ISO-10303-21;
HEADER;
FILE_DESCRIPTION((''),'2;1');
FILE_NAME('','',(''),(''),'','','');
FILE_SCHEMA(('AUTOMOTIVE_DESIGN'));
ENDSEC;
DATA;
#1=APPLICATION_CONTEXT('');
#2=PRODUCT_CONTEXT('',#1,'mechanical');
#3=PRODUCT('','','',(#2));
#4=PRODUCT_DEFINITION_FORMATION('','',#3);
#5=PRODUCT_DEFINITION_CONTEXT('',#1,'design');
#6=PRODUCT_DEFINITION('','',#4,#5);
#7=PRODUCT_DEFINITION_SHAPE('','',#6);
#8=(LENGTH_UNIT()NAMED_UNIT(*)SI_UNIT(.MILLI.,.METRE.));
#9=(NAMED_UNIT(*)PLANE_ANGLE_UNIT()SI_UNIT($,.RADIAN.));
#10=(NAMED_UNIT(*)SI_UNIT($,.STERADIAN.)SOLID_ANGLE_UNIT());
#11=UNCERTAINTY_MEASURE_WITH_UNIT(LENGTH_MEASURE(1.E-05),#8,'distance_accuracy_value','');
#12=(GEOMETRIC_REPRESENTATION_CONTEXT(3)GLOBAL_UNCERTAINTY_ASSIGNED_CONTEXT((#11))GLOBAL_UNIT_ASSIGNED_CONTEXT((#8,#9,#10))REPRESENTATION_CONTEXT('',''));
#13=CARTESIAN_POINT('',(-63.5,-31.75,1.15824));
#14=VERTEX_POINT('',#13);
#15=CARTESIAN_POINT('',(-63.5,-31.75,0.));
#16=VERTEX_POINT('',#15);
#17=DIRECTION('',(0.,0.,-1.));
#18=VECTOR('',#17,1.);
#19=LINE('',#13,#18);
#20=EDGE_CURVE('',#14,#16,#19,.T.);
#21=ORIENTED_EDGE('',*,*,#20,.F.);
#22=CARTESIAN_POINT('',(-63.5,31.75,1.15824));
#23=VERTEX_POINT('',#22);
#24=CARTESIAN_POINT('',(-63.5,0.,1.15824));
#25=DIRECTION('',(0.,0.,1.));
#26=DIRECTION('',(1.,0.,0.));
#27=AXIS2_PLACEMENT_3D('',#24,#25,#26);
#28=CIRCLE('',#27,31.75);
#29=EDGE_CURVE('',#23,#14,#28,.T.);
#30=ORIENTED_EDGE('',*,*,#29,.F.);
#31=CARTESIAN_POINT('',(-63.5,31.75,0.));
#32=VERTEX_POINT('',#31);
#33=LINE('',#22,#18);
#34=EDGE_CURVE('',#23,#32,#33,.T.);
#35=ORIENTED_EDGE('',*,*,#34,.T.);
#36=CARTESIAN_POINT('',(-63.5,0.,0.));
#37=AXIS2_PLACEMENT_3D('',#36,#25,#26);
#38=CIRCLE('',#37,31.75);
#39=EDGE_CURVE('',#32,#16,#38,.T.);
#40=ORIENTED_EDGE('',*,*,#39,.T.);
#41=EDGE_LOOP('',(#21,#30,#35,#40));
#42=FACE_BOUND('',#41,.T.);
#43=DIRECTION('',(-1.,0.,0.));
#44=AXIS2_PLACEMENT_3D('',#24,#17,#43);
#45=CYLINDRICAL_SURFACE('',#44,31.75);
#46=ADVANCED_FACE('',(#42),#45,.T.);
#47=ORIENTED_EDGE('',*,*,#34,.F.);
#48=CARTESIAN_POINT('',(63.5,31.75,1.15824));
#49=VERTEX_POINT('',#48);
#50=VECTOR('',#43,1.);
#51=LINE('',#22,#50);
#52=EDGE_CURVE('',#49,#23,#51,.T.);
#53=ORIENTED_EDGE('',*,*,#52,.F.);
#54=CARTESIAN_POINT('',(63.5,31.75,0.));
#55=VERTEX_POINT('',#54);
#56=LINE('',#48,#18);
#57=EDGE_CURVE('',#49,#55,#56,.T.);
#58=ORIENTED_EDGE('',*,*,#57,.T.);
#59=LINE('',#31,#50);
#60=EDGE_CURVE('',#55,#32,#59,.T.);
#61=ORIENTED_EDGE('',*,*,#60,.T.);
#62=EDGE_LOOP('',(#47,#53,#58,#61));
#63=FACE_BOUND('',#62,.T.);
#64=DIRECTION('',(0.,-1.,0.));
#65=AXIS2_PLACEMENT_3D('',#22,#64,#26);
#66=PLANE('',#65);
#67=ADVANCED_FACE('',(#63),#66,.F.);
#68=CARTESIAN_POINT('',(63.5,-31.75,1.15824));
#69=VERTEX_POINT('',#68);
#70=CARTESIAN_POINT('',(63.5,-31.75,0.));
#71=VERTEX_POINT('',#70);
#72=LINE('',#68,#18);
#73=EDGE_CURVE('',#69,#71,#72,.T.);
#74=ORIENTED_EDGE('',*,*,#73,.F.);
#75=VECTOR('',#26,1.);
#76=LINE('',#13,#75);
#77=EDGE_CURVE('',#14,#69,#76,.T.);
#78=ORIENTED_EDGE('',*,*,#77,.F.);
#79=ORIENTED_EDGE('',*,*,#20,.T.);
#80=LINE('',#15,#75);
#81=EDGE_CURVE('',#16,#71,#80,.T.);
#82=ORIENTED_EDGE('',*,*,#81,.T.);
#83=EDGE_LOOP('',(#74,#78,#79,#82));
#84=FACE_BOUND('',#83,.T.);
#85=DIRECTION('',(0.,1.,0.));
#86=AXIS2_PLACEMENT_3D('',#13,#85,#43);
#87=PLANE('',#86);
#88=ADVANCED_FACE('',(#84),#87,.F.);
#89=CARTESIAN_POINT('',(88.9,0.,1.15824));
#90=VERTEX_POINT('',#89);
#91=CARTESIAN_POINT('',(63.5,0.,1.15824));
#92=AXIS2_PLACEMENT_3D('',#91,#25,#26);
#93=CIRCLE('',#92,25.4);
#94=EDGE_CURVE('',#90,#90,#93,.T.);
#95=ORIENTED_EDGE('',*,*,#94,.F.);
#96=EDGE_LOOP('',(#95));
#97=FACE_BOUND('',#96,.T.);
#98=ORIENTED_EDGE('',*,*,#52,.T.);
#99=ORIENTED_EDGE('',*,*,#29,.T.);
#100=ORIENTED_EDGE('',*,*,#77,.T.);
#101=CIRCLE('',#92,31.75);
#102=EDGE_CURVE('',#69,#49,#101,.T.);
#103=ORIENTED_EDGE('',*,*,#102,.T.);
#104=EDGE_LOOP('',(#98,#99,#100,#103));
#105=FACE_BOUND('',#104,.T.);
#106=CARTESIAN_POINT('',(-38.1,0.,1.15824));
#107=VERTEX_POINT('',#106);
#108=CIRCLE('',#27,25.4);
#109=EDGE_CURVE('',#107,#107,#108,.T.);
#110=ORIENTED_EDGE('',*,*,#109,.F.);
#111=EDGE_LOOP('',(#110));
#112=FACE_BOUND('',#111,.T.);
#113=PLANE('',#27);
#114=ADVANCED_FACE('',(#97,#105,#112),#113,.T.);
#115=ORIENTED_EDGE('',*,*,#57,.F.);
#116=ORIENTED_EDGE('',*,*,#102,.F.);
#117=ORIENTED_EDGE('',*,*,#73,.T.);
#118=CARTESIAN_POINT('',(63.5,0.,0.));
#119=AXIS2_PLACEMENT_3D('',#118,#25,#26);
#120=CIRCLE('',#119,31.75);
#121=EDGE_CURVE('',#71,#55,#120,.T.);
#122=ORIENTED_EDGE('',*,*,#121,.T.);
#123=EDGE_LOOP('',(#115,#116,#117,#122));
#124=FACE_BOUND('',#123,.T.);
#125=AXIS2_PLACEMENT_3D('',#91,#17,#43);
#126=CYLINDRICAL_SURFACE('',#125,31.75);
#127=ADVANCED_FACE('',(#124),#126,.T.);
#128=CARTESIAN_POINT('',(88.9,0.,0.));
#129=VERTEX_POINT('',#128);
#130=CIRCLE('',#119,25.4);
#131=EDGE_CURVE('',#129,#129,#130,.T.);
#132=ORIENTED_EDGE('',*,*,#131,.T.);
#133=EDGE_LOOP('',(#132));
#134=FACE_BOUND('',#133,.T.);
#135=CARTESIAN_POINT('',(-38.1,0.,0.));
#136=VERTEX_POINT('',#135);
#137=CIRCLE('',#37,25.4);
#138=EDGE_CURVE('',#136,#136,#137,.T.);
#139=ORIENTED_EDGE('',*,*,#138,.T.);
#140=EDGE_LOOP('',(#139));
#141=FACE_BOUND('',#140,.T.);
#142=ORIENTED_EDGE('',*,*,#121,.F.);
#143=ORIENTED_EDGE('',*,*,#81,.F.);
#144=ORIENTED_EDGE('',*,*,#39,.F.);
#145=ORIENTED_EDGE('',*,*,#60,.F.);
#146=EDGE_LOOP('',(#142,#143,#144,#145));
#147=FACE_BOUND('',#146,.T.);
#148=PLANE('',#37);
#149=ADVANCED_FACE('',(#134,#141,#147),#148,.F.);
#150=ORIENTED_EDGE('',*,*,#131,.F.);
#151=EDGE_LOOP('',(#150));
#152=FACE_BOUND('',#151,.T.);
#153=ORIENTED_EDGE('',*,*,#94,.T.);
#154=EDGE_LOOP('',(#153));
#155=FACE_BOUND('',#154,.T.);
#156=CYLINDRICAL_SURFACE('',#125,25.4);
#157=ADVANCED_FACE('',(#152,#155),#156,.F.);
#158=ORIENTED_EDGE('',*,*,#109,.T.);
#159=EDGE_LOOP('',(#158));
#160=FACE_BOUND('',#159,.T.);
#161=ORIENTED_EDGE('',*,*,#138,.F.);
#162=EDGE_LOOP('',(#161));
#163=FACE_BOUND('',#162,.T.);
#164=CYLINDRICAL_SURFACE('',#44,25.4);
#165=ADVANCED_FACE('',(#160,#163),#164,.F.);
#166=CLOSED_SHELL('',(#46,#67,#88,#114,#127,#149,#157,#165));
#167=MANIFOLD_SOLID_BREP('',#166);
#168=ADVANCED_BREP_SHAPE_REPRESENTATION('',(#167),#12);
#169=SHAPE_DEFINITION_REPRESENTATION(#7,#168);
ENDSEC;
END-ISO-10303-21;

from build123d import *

# Parameters (mm, degrees)
SKETCH2_R           = 25.4
BOSS_EXTRUDE1_DEPTH = 1.15824


with BuildPart() as part:
    # Sketch2 → Boss-Extrude1 (new body)
    with BuildSketch(Plane.XY):
        with BuildLine():
            Line((-63.5, 31.75), (63.5, 31.75))
            ThreePointArc((63.5, 31.75), (95.25, 0), (63.5, -31.75))
            Line((63.5, -31.75), (-63.5, -31.75))
            ThreePointArc((-63.5, -31.75), (-95.25, 0), (-63.5, 31.75))
        make_face()
        with Locations((-63.5, 0)):
            Circle(SKETCH2_R, mode=Mode.SUBTRACT)
        with Locations((63.5, 0)):
            Circle(SKETCH2_R, mode=Mode.SUBTRACT)
    extrude(amount=BOSS_EXTRUDE1_DEPTH)


solid = part.part
